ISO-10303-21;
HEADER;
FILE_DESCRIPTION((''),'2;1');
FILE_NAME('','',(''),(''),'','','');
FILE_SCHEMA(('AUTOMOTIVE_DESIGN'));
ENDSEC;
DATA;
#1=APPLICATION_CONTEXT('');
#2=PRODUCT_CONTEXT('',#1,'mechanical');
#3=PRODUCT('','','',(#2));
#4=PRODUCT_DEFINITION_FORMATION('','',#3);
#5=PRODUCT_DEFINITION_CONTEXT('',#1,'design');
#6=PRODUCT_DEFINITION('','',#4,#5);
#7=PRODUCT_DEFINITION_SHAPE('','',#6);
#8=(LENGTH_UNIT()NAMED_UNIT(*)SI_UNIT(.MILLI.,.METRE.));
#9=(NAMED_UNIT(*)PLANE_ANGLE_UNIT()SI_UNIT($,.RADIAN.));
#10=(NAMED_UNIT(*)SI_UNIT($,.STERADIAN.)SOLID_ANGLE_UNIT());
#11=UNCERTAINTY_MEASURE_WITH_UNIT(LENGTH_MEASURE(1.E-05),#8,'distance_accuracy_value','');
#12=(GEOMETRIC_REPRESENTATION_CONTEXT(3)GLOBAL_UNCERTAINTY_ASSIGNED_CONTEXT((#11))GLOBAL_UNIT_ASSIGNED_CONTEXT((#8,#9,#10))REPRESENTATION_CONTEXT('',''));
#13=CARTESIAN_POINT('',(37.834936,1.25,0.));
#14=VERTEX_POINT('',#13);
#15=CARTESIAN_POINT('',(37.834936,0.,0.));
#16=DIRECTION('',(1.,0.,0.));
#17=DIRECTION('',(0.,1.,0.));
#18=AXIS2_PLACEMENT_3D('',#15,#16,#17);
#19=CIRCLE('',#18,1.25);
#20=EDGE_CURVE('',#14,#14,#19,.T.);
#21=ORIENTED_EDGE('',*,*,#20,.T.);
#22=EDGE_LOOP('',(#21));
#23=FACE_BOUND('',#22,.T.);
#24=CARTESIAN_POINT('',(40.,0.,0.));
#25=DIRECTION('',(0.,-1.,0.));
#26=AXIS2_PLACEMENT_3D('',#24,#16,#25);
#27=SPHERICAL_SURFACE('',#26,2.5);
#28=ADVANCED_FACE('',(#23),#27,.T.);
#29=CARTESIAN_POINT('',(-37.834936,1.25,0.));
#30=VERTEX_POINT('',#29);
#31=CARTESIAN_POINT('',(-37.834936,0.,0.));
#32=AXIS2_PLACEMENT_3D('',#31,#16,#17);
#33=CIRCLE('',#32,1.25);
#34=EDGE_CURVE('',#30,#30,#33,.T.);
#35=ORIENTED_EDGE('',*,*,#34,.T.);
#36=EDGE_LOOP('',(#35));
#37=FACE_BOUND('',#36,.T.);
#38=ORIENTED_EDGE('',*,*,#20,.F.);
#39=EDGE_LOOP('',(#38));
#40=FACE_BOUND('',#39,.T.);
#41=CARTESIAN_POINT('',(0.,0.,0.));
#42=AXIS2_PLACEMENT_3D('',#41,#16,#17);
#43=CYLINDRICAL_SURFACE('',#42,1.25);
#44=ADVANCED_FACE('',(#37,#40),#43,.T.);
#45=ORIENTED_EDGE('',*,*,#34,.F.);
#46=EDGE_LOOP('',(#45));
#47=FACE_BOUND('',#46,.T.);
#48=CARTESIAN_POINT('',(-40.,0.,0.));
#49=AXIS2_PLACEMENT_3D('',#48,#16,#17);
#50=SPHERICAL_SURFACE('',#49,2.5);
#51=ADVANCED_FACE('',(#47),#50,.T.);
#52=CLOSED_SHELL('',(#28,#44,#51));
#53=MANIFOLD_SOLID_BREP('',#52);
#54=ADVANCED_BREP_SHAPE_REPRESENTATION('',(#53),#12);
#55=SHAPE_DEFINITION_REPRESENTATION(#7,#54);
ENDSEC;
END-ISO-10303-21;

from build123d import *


with BuildPart() as part:
    # Sketch1 → Revolve2 (revolve)
    with BuildSketch(Plane.XY):
        with BuildLine():
            Line((42.5, 0), (-42.5, 0))
            ThreePointArc((-42.5, 0), (-40.647047613, 2.414814566), (-37.834936491, 1.25))
            Line((-37.834936491, 1.25), (37.834936491, 1.25))
            ThreePointArc((37.834936491, 1.25), (40.647047613, 2.414814566), (42.5, 0))
        make_face()
    revolve(axis=Axis((0, 0, 0), (-1, 0, 0)))


solid = part.part
